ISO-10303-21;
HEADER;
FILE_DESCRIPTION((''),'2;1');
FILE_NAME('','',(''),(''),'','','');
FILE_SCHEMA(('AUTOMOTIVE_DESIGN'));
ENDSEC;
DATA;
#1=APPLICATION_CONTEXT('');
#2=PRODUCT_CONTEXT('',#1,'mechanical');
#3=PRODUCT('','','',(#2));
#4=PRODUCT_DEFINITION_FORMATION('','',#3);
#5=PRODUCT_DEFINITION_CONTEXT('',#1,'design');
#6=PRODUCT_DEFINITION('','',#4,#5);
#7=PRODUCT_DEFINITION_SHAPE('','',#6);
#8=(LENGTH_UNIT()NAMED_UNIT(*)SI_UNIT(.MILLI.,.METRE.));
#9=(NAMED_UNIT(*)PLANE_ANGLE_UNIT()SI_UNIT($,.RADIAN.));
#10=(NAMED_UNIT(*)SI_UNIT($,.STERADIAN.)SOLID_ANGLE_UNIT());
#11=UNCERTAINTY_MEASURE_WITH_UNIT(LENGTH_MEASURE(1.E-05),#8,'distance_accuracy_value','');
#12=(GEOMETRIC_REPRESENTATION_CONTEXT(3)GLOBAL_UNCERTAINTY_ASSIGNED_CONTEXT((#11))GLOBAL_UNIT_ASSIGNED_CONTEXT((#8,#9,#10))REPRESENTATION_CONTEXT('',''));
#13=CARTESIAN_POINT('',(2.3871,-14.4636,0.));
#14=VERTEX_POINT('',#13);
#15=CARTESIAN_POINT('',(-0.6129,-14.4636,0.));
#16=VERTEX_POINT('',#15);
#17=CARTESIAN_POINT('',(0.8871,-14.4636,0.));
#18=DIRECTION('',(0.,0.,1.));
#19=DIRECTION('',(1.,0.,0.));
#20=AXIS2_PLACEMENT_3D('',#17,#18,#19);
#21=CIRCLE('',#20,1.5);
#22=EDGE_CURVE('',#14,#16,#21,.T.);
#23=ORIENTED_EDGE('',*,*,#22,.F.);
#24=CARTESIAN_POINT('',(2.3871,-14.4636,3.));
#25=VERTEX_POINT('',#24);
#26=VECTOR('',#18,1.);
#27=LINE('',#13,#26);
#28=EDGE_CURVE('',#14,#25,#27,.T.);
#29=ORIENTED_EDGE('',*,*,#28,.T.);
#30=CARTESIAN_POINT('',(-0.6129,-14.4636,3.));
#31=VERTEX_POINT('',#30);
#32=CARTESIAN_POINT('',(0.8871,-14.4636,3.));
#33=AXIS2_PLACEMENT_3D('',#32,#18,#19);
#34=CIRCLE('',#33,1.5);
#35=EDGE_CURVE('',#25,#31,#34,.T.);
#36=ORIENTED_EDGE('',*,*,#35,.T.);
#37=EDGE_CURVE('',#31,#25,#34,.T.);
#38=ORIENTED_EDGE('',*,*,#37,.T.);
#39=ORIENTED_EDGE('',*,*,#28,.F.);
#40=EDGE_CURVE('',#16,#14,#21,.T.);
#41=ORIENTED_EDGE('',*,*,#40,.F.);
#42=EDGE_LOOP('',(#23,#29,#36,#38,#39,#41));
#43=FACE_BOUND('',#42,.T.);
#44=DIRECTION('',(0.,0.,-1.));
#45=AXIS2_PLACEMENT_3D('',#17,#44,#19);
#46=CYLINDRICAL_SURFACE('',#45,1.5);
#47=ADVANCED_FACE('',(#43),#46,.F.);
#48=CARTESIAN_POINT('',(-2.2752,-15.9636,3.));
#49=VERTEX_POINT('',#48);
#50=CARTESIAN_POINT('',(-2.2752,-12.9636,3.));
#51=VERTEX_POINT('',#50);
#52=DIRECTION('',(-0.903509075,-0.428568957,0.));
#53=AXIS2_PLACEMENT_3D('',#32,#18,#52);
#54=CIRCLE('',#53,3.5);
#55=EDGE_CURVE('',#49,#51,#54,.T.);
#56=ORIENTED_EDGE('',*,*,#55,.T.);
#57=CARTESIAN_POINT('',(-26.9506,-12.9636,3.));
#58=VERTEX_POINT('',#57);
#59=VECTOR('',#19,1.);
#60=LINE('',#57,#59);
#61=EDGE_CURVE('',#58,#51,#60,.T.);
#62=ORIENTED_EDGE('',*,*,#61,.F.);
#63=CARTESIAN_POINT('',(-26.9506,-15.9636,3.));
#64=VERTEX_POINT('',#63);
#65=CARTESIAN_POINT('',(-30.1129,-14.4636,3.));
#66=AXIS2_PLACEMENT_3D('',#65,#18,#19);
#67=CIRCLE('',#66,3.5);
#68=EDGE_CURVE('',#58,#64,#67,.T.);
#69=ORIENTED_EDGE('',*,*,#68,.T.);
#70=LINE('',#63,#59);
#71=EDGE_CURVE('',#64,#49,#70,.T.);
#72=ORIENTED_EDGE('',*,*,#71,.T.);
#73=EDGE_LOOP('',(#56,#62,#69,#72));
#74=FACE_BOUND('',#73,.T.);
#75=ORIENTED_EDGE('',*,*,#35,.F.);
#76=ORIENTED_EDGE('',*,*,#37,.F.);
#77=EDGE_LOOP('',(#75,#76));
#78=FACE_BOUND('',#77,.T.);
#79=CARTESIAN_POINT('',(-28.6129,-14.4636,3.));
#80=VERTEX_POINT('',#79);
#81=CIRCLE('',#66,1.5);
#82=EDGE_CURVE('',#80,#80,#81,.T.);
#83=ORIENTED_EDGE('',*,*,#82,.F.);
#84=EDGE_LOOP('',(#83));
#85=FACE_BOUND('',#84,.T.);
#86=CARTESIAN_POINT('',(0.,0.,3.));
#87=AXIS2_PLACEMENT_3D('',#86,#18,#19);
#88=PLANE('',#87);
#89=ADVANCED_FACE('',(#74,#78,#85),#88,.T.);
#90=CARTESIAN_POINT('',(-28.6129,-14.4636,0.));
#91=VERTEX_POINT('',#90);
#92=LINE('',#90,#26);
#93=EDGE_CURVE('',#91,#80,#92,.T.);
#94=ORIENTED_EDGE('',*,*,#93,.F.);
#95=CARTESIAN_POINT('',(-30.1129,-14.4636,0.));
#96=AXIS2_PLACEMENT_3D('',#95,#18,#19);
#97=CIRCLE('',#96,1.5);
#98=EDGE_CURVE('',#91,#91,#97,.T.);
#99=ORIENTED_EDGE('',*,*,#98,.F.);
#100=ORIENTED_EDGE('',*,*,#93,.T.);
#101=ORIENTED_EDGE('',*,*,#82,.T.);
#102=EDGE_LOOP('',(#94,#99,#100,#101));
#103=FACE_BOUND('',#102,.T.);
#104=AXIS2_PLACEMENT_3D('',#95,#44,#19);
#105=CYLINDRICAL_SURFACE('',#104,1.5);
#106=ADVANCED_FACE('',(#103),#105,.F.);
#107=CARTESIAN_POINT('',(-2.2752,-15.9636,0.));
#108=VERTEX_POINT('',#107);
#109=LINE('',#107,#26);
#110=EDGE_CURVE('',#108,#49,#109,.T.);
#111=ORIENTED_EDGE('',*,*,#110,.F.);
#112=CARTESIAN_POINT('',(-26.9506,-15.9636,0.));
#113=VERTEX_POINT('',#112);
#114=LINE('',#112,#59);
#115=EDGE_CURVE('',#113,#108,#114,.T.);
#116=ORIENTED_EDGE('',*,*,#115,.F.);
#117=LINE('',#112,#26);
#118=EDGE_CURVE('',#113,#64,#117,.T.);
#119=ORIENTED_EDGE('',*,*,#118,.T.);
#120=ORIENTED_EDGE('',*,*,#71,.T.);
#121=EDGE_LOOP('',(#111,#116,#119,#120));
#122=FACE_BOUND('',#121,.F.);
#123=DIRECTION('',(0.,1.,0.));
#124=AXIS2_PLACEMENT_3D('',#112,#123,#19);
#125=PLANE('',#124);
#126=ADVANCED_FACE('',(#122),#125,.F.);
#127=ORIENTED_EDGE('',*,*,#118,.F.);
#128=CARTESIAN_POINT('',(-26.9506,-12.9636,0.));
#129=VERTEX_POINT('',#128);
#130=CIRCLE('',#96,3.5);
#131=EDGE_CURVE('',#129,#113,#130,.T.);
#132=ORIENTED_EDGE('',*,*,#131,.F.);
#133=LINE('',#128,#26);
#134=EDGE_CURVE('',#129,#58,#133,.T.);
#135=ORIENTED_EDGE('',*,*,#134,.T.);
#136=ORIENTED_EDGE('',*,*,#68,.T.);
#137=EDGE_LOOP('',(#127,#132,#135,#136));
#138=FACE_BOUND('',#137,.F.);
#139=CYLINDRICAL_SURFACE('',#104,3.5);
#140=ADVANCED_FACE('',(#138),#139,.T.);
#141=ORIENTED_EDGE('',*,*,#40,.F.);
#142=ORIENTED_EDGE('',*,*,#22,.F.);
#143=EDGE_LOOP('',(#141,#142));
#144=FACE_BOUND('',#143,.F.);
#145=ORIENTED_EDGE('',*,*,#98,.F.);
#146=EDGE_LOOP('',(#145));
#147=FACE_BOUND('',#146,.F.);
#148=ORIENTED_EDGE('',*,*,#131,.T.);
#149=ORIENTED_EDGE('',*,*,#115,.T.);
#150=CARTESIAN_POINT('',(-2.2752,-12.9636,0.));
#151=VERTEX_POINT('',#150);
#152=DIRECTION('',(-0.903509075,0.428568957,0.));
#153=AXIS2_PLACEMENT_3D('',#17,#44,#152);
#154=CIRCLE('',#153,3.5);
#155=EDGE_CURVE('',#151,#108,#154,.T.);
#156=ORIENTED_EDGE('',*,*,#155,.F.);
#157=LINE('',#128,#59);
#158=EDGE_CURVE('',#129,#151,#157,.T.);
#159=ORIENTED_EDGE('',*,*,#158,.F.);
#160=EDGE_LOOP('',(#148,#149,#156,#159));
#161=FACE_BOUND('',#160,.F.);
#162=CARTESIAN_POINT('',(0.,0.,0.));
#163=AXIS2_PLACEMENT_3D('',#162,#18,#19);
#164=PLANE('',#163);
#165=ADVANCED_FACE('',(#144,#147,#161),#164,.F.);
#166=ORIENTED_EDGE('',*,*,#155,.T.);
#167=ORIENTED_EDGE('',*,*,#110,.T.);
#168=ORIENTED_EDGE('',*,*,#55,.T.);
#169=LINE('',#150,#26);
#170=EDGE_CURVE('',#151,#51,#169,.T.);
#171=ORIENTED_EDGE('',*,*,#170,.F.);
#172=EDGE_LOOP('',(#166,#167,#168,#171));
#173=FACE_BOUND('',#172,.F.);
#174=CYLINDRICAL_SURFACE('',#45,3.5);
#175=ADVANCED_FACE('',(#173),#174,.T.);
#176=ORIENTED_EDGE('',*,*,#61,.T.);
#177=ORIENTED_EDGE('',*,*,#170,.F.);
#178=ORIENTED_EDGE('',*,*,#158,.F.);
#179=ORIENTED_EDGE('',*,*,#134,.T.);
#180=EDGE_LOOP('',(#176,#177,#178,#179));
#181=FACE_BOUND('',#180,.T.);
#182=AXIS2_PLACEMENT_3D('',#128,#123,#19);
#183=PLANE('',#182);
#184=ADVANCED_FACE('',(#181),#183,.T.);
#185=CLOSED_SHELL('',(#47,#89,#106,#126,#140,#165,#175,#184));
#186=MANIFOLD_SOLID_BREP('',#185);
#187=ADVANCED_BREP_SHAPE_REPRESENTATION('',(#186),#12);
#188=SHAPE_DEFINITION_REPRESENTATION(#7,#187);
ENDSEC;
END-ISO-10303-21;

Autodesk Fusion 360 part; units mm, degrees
sketch "Sketch1" plane through (0, 0, 0) normal (0, 0, 1) x (1, 0, 0)
  circle A0 centre (-30.1129, -14.4636) radius 3.5
  circle A1 centre (-30.1129, -14.4636) radius 1.5
  line L0 (-30.1129, -14.4636) -> (0.8871, -14.4636)
  line L1 (-14.6129, -4.9636) -> (-14.6129, -23.9636) construction
  circle A2 centre (0.8871, -14.4636) radius 3.5
  circle A3 centre (0.8871, -14.4636) radius 1.5
  line L2 (-26.9506, -12.9636) -> (-2.2752, -12.9636)
  line L3 (-26.9506, -15.9636) -> (-2.2752, -15.9636)
  point P0 (0.8871, -14.4636)
  dimension "d1" = 7
  dimension "d2" = 3
  dimension "d3" = 31
  dimension "d4" = 1.5
extrude "Extrude1" add sketch "Sketch1" along normal blind 3
